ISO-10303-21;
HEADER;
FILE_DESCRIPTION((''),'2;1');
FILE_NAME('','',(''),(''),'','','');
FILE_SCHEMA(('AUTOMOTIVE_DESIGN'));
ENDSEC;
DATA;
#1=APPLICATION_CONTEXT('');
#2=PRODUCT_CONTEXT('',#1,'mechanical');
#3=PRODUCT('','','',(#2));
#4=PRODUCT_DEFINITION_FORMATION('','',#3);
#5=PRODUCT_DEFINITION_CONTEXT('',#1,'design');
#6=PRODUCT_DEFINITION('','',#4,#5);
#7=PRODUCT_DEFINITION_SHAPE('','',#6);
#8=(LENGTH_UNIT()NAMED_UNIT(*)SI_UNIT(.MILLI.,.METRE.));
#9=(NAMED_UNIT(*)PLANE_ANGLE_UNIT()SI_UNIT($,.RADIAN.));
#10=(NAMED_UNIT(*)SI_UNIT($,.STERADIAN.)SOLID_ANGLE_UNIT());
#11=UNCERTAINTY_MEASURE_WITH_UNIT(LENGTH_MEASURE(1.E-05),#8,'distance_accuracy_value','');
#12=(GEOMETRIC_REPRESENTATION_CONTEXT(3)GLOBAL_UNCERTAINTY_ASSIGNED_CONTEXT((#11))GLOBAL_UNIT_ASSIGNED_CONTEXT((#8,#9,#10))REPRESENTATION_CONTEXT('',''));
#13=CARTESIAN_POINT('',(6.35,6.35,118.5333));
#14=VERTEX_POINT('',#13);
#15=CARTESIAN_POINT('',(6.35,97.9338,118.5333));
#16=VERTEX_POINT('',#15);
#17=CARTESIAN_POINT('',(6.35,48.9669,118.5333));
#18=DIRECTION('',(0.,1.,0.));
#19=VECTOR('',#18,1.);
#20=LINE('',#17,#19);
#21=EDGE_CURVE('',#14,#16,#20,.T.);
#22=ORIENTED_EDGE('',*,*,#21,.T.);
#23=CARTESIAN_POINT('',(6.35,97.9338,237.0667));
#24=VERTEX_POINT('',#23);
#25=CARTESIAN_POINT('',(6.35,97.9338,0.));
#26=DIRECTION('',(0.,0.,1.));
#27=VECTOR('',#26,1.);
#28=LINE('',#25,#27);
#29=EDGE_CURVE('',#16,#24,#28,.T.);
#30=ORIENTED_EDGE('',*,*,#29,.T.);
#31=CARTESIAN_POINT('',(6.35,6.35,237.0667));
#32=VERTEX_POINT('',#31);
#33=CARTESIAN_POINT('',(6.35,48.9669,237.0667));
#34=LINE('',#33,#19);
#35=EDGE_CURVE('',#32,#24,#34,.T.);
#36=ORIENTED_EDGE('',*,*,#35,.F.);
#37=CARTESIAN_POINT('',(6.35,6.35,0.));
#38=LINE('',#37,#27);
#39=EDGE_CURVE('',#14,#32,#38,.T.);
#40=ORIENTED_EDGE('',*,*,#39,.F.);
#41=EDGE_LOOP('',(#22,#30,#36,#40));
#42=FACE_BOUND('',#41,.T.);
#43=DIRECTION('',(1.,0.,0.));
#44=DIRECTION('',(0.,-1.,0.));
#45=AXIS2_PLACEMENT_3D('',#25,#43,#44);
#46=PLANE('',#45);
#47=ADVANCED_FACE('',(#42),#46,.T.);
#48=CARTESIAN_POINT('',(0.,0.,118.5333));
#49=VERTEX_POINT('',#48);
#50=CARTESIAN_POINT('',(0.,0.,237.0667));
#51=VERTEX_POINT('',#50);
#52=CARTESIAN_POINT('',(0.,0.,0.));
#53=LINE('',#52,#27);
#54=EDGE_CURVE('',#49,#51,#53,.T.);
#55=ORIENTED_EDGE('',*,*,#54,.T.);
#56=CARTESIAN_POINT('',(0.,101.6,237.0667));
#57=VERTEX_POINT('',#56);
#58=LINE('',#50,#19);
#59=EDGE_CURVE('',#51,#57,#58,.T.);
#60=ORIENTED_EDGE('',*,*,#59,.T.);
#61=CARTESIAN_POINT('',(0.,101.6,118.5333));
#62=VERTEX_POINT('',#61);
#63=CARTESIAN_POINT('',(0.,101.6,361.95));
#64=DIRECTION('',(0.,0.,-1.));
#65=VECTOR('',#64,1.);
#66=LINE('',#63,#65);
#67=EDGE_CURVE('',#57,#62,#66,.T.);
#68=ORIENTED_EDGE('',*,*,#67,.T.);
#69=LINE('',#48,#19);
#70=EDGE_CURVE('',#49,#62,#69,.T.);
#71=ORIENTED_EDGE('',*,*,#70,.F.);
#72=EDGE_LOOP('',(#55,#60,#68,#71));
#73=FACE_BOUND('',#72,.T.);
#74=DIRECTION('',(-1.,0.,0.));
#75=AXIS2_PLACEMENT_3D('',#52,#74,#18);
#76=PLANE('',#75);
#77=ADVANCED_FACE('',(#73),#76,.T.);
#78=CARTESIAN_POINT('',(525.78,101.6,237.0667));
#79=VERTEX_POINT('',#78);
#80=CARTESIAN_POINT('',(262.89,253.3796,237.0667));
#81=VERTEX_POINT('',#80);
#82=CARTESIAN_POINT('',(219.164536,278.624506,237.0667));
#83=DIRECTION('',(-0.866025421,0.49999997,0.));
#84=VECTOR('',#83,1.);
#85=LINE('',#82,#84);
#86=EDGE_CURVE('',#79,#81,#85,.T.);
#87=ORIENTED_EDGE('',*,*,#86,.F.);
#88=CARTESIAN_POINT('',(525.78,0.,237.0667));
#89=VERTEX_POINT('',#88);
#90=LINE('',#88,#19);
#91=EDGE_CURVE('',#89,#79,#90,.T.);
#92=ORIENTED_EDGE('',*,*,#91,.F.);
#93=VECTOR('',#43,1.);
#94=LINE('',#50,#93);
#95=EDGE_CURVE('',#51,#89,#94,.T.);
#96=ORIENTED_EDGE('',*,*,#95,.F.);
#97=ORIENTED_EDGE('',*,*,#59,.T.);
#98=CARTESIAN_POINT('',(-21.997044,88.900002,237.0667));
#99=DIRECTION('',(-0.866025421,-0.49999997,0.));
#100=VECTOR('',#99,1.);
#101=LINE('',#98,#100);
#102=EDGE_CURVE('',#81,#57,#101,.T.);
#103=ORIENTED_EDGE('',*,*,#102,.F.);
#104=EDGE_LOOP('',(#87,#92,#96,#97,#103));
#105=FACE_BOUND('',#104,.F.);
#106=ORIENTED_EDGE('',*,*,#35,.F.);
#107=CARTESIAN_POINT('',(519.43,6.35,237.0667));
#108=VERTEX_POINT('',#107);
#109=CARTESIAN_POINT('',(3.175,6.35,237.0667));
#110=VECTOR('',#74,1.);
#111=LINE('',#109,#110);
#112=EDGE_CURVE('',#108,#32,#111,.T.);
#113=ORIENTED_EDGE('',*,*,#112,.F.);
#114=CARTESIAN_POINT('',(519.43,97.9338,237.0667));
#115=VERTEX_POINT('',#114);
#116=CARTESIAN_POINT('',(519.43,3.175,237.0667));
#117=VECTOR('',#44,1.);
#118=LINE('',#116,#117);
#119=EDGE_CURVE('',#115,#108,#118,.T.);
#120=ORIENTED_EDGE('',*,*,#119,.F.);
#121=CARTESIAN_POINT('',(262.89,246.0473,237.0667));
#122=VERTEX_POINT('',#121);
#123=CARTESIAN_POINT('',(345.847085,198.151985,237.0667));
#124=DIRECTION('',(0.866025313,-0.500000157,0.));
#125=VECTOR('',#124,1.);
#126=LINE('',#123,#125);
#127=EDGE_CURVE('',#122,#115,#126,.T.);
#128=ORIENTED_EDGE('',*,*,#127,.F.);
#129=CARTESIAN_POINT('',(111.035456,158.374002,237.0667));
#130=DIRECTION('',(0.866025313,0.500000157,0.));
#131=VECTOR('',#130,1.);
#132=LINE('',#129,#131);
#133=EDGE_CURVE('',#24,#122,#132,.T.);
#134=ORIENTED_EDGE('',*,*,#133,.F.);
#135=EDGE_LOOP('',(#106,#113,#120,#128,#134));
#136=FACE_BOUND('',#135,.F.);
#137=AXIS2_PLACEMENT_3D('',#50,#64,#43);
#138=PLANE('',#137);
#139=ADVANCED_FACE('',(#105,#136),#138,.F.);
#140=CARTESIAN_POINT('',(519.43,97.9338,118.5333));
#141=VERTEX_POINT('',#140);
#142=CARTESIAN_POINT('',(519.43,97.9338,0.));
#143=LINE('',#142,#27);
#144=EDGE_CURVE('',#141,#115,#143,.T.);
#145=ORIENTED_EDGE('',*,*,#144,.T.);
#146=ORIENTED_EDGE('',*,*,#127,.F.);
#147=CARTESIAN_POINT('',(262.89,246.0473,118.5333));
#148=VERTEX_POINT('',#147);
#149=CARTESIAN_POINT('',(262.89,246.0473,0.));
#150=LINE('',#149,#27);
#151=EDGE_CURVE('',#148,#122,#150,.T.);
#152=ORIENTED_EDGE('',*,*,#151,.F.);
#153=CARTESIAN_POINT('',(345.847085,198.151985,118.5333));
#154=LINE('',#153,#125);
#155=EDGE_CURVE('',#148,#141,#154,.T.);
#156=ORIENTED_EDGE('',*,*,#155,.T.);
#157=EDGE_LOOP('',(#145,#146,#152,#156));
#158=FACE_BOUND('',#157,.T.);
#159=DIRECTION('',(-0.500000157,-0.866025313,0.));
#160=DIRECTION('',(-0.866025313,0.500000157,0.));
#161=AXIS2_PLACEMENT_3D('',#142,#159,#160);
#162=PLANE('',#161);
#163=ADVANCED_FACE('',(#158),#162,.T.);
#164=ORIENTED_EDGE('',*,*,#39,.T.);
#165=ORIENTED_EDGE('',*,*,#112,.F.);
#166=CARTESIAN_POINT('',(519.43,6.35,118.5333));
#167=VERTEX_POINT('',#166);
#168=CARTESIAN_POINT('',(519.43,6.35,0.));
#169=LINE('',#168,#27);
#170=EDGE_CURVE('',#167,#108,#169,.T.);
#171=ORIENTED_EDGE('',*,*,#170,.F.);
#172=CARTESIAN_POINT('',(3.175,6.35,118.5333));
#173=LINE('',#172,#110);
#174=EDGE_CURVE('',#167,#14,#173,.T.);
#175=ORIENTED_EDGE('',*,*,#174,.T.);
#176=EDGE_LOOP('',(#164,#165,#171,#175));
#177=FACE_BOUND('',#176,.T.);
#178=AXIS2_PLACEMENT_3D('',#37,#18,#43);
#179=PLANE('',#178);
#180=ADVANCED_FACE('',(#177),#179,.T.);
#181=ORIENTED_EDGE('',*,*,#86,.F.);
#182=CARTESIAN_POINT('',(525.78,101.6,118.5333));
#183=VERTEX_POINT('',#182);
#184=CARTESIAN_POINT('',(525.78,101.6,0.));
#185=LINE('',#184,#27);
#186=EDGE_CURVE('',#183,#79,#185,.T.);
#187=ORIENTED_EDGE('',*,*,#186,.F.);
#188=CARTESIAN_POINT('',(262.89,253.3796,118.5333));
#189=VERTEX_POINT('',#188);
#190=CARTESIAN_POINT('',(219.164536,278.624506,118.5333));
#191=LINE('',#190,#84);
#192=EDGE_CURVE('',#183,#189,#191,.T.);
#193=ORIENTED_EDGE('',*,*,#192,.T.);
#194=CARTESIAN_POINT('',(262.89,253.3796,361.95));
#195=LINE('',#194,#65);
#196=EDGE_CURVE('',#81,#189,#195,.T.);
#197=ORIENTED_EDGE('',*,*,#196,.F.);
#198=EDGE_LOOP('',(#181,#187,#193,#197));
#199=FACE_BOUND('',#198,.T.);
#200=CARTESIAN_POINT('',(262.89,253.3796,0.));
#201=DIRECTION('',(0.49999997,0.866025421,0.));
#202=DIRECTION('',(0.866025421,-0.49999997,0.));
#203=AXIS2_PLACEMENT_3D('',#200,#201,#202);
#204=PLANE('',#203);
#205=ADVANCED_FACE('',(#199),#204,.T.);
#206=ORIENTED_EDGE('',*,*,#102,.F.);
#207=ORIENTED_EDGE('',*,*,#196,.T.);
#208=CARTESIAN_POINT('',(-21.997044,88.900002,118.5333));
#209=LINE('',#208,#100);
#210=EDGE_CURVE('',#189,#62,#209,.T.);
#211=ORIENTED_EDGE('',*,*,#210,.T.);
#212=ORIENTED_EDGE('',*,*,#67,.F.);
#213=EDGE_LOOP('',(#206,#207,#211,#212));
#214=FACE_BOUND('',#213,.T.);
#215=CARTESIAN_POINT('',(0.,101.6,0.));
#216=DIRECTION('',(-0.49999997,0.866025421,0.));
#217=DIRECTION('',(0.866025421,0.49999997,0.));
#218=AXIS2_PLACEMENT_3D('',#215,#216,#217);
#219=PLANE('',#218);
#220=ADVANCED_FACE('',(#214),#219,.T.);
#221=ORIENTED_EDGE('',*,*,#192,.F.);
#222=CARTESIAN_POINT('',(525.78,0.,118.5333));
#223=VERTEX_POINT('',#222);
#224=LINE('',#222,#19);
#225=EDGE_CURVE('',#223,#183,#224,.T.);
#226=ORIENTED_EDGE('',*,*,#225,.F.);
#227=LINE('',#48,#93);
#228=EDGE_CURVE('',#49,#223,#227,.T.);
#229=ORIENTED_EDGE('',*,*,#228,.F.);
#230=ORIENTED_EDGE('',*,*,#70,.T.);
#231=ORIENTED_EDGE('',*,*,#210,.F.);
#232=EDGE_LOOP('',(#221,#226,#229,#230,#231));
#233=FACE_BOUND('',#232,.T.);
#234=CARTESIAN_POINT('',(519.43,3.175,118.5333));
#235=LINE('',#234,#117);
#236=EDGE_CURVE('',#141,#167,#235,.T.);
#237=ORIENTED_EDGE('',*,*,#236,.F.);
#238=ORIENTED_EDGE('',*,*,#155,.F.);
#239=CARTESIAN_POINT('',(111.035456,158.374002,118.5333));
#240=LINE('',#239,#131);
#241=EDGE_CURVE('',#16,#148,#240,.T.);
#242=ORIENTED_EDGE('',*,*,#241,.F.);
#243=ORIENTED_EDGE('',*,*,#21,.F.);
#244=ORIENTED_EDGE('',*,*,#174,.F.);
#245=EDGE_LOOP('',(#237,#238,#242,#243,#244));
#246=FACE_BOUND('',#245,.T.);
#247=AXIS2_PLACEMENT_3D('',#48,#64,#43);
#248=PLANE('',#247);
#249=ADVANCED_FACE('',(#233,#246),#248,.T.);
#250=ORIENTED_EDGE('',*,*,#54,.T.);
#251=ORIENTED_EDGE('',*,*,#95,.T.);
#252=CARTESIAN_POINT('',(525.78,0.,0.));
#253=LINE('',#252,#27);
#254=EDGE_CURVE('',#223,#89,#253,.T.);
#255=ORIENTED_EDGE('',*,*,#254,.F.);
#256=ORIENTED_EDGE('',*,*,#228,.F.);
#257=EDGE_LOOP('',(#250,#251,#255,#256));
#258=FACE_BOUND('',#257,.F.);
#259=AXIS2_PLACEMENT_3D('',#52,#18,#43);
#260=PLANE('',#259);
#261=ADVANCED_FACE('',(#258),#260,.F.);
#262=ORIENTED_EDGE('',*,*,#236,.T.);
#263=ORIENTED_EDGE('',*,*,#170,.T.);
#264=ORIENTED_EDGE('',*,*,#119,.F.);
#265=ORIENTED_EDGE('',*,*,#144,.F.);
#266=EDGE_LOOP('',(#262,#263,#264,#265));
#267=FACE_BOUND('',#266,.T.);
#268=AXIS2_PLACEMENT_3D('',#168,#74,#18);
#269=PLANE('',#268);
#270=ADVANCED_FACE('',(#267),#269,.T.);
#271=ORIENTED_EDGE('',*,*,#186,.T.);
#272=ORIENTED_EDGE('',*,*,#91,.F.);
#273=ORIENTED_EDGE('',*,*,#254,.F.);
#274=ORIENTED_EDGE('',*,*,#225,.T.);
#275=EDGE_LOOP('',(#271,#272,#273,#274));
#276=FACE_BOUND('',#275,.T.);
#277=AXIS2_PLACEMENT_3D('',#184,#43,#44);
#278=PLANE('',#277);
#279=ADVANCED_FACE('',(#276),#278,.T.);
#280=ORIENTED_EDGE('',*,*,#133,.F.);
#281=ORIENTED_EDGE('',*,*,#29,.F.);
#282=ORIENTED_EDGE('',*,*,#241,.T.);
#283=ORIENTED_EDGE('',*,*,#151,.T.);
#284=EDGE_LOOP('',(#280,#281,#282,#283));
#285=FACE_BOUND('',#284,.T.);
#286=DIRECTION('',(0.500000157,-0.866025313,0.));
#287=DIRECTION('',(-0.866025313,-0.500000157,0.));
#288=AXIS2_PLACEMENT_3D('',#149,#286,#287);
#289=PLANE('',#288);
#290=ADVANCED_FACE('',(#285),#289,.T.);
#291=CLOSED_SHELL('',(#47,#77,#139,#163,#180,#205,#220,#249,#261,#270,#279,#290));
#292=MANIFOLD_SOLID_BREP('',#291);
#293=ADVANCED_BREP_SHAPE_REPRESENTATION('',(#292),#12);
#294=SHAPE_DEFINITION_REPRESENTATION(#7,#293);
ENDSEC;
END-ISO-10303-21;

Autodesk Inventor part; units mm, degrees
ref_plane "YZ Plane" through (0, 0, 0) normal (1, 0, 0) x (0, 1, 0)
ref_plane "XZ Plane" through (0, 0, 0) normal (0, 1, 0) x (-1, 0, 0)
ref_plane "XY Plane" through (0, 0, 0) normal (0, 0, 1) x (1, 0, 0)
sketch "Sketch1" plane through (0, 0, 0) normal (0, 0, 1) x (1, 0, 0)
  line L0 (0, 0) -> (525.78, 0)
  line L1 (0, 0) -> (0, 101.6)
  line L2 (0, 101.6) -> (262.89, 253.3796)
  line L3 (262.89, 253.3796) -> (525.78, 101.6)
  line L4 (525.78, 101.6) -> (525.78, 0)
  line L5 (262.89, 246.0473) -> (6.35, 97.9338)
  line L6 (6.35, 97.9338) -> (6.35, 6.35)
  line L7 (6.35, 6.35) -> (519.43, 6.35)
  line L8 (519.43, 6.35) -> (519.43, 97.9338)
  line L9 (519.43, 97.9338) -> (262.89, 246.0473)
  point P0 (262.89, 0)
  dimension "d0" = 525.78
  dimension "d1" = 101.6
  dimension "d2" = 120
  dimension "d3" = 6.35
extrude "Extrusion1" add sketch "Sketch1" along normal blind 355.6
sketch "Sketch2" plane through (0, 0, 355.6) normal (0, 0, 1) x (1, 0, 0)
  line L0 (262.89, 246.0473) -> (519.43, 97.9338) projected
  line L1 (519.43, 97.9338) -> (519.43, 6.35) projected
  line L2 (519.43, 6.35) -> (6.35, 6.35) projected
  line L3 (6.35, 6.35) -> (6.35, 97.9338) projected
  line L4 (6.35, 97.9338) -> (262.89, 246.0473) projected
  line L5 (0, 0) -> (525.78, 0) projected
  line L6 (525.78, 0) -> (525.78, 101.6) projected
  line L7 (525.78, 101.6) -> (262.89, 253.3796) projected
  line L8 (262.89, 253.3796) -> (0, 101.6) projected
  line L9 (0, 101.6) -> (0, 0) projected
  circle A0 centre (262.89, 121.3796) radius 60
  dimension "d6" = 120
  dimension "d7" = 132
extrude "Extrusion2" add sketch "Sketch2" along normal blind 6.35 contours L0 L1 L2 L3 L4 | L9 L8 L7 L6 L5
sketch "Sketch3" plane through (0, 0, 0) normal (0, -1, 0) x (1, 0, 0)
  line L0 (0, 0) -> (525.78, 0) construction
  line L1 (525.78, 0) -> (525.78, 88.9)
  line L2 (525.78, 88.9) -> (0, 88.9) construction
  line L3 (0, 88.9) -> (0, 0) construction
  line L4 (86.36, 21.95) -> (86.36, 66.95) construction
  circle A0 centre (86.36, 44.45) radius 2.3812
  circle A1 centre (86.36, 21.95) radius 2.3812
  circle A2 centre (86.36, 66.95) radius 2.3812
  line L5 (146.36, 49.45) -> (146.36, 29.45) construction
  line L6 (156.36, 66.95) -> (156.36, 21.95) construction
  line L7 (146.36, 29.45) -> (166.36, 29.45) construction
  line L8 (166.36, 49.45) -> (146.36, 49.45) construction
  line L9 (86.36, 66.95) -> (226.36, 66.95) construction
  line L10 (226.36, 21.95) -> (86.36, 21.95) construction
  line L11 (86.36, 44.45) -> (226.36, 44.45) construction
  line L12 (166.36, 29.45) -> (166.36, 49.45) construction
  line L13 (226.36, 66.95) -> (226.36, 21.95) construction
  circle A3 centre (226.36, 66.95) radius 2.3813
  circle A4 centre (226.36, 44.45) radius 2.3813
  circle A5 centre (226.36, 21.95) radius 2.3813
  circle A6 centre (156.36, 39.45) radius 10
  line L14 (0, 0) -> (0, 361.95) projected
  line L15 (525.78, 0) -> (525.78, 361.95) projected
  line L16 (0, 0) -> (525.78, 0) projected
  point P0 (0, 44.45)
  point P1 (146.36, 39.45)
  point P2 (166.36, 39.45)
  point P3 (262.89, 0)
  dimension "d10" = 45
  dimension "d11" = 140
  dimension "d12" = 4.7625
  dimension "d13" = 4.7625
  dimension "d14" = 4.7625
  dimension "d15" = 4.7625
  dimension "d16" = 4.7625
  dimension "d17" = 4.7625
  dimension "d18" = 60
  dimension "d19" = 7.5
  dimension "d20" = 20
  dimension "d21" = 20
  dimension "d22" = 86.36
  dimension "d23" = 88.9
extrude "Extrusion3" cut sketch "Sketch3" against normal blind 6.35
sketch "Sketch4" plane through (0, 0, 0) normal (0, -1, 0) x (1, 0, 0)
  line L0 (71.36, 0) -> (241.36, 0)
  line L1 (241.36, 0) -> (241.36, 85)
  line L2 (241.36, 85) -> (71.36, 85)
  line L3 (71.36, 85) -> (71.36, 0)
  line L4 (0, 0) -> (525.78, 0) construction
  circle A0 centre (156.36, 39.45) radius 10 construction
  point P0 (156.36, 85)
  dimension "d26" = 170
  dimension "d27" = 85
extrude "Extrusion4" cut sketch "Sketch4" against normal blind 6.35
sketch "Sketch5" plane through (0, 0, 361.95) normal (0, -1, 0) x (1, 0, 0)
  line L0 (525.78, -361.95) -> (525.78, 0) projected
  line L1 (525.78, -361.95) -> (0, -361.95)
  line L2 (0, -361.95) -> (0, -243.4167)
  line L3 (0, -243.4167) -> (525.78, -243.4167)
  line L4 (525.78, -243.4167) -> (525.78, -361.95)
  line L5 (525.78, -243.4167) -> (0, -243.4167)
  line L6 (0, -243.4167) -> (0, -124.8833)
  line L7 (0, -124.8833) -> (525.78, -124.8833)
  line L8 (525.78, -124.8833) -> (525.78, -243.4167)
  line L9 (262.89, 0) -> (0, 0) projected
  line L10 (525.78, -124.8833) -> (0, -124.8833)
  line L11 (0, -124.8833) -> (0, 0)
  line L12 (0, 0) -> (525.78, 0)
  line L13 (525.78, 0) -> (525.78, -124.8833)
  line L14 (0, -361.95) -> (0, 0) projected
  point P0 (0, -184.15)
  dimension "d30" = 118.5333
  dimension "d31" = 118.5333
extrude "Extrusion5" cut sketch "Sketch5" against normal through all contours L1 L2 L3 L0 | L7 L11 L9 L12 L0
properties part number "CA01" material "ABS Plastic"
